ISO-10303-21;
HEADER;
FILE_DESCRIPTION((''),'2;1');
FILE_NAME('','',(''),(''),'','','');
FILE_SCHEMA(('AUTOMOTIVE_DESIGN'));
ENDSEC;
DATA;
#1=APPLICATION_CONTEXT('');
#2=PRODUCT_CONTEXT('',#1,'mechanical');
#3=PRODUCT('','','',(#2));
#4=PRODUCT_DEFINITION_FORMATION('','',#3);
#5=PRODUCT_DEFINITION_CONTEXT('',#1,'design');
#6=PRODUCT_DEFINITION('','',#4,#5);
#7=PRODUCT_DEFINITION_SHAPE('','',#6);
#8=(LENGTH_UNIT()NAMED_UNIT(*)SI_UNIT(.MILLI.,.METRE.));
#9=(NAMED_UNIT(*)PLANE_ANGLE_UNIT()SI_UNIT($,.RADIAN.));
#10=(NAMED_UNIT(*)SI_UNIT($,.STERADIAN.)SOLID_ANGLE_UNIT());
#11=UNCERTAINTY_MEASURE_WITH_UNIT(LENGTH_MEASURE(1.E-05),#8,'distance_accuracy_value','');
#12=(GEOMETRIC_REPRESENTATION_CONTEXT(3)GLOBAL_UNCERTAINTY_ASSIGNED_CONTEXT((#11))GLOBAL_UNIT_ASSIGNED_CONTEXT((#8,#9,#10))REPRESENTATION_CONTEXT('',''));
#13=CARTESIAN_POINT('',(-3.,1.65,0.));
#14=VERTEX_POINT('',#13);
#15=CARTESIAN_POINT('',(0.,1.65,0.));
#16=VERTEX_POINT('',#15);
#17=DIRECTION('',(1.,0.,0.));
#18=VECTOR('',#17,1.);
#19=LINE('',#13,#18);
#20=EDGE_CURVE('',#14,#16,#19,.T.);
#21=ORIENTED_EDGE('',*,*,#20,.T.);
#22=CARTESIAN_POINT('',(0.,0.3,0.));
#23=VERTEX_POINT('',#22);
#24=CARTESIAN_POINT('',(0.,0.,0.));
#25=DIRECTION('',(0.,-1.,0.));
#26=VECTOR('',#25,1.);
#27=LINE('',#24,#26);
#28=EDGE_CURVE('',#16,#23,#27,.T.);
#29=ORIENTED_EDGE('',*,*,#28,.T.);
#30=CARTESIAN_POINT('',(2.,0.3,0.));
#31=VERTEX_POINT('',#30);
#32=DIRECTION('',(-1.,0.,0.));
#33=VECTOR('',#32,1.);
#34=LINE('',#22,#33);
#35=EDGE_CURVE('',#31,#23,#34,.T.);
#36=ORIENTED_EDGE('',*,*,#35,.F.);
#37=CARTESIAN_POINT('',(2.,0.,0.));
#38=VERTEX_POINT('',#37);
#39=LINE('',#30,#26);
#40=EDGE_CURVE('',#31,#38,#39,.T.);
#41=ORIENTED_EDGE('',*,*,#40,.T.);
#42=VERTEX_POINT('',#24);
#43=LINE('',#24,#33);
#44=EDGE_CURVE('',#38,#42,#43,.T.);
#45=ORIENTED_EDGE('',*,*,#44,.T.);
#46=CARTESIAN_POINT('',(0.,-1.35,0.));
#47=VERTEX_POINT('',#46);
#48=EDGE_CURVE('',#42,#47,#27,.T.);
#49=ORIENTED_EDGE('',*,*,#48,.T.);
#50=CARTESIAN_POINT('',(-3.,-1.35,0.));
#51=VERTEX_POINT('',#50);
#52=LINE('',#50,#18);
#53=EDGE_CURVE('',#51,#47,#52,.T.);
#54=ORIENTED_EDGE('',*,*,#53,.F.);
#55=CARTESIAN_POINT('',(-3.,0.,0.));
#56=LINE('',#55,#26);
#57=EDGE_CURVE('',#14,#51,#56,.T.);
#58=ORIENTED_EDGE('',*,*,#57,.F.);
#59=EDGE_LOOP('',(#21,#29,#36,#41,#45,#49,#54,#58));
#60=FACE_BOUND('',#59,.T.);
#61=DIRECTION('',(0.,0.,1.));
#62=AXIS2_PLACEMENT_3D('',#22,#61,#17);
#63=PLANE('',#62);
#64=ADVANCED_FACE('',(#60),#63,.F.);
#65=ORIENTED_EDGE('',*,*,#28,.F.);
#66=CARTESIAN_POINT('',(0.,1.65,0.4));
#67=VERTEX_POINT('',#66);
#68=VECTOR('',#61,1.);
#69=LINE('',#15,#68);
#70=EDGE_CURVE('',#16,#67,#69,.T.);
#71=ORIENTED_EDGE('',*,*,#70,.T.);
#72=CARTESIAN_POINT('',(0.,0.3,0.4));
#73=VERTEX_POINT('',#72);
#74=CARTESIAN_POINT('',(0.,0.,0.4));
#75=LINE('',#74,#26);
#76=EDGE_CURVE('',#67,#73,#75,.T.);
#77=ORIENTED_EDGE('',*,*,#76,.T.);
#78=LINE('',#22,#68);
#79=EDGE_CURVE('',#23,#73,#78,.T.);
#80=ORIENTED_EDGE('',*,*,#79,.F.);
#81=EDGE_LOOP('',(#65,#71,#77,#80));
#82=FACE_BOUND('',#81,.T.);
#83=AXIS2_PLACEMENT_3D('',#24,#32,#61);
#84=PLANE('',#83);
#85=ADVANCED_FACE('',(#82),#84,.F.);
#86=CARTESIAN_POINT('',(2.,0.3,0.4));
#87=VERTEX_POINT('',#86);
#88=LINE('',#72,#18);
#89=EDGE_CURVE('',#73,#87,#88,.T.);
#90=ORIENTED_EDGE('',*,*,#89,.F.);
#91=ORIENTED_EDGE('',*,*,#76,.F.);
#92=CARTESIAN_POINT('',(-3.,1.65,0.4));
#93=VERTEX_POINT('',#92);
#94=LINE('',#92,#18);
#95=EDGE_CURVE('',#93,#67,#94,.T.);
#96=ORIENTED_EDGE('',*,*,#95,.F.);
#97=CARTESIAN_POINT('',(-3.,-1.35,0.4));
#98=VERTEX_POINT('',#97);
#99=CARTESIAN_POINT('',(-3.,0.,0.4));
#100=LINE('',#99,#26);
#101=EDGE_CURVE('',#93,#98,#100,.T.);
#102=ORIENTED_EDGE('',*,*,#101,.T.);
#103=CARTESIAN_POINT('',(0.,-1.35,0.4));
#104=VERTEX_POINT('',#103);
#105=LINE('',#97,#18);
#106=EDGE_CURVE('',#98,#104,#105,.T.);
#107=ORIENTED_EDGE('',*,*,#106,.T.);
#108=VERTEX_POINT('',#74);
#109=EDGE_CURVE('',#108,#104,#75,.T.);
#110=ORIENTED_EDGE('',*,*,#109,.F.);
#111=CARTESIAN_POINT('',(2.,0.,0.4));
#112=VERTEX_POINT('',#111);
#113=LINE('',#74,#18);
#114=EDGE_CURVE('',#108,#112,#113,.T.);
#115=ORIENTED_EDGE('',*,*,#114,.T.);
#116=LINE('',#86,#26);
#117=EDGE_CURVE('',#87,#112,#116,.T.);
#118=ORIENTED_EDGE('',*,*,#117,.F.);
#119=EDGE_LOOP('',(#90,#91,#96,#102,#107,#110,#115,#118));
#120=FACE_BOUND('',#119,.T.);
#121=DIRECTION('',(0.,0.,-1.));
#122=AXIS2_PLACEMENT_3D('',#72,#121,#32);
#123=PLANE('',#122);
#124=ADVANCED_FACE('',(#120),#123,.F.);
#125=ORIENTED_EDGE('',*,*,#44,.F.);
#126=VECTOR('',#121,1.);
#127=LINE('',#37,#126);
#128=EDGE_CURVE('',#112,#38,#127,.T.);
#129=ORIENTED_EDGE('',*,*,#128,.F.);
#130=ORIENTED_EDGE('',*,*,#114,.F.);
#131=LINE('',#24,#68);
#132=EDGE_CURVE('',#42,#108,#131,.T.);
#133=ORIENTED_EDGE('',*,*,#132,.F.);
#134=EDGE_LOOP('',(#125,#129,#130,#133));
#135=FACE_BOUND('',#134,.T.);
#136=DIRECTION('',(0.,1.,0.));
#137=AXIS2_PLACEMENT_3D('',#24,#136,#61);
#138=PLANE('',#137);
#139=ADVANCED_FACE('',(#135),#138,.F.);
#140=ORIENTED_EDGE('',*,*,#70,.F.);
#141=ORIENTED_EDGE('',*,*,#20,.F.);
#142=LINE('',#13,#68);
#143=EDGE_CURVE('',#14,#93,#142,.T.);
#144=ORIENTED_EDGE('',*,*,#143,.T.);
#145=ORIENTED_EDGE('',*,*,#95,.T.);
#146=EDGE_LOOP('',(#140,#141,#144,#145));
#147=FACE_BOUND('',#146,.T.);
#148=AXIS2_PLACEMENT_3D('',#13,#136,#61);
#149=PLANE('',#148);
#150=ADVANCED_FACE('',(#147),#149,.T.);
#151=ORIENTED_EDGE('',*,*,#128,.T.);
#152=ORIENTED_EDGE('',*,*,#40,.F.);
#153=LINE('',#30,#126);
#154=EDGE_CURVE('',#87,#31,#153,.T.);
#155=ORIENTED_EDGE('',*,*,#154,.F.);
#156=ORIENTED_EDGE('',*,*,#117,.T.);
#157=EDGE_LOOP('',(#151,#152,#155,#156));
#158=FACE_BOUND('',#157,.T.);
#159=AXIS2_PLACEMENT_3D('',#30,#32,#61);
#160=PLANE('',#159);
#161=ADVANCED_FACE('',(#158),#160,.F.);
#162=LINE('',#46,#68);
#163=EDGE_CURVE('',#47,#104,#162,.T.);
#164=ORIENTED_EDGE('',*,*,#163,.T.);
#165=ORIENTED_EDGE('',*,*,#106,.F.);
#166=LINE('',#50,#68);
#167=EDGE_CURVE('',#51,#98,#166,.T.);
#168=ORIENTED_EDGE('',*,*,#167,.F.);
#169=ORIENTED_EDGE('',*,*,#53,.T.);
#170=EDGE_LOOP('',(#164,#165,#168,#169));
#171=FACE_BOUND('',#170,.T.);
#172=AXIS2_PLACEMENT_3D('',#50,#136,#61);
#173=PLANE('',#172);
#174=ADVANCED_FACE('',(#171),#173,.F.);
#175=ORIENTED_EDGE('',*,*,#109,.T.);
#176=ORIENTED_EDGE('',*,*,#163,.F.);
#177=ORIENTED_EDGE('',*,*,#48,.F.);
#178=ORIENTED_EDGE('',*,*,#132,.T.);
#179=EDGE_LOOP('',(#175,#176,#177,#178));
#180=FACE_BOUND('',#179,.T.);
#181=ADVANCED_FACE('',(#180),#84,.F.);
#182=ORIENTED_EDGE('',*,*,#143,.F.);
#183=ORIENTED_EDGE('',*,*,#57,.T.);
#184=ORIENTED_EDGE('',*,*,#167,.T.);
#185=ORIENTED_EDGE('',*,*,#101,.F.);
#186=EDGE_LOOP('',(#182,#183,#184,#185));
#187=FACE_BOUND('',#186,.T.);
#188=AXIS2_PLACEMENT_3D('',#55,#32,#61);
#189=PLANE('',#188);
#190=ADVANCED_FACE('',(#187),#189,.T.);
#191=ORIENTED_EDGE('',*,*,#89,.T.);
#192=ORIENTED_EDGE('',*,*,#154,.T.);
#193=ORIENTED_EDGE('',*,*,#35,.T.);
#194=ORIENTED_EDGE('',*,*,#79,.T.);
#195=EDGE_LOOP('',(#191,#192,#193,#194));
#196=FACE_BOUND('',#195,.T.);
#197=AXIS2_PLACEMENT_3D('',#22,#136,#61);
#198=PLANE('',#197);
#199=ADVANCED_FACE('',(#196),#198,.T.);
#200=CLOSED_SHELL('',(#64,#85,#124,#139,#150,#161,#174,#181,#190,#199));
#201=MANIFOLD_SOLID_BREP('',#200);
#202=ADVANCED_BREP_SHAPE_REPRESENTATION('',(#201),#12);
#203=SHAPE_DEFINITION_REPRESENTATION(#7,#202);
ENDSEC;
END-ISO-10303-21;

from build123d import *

# Parameters (mm, degrees)
SKETCH1_W           = 2
SKETCH1_H           = 0.4
BOSS_EXTRUDE1_DEPTH = 0.3
SKETCH3_W           = 0.2
SKETCH3_H           = 1.35
SKETCH3_W_2         = 0.4
SKETCH3_H_2         = 0.3
BOSS_EXTRUDE4_DEPTH = 3


with BuildPart() as part:
    # Sketch1 → Boss-Extrude1 (new body)
    with BuildSketch(Plane(origin=(0, 0, 0), x_dir=(1, 0, 0), z_dir=(0, 1, 0))):
        with Locations((1, -0.2)):
            Rectangle(SKETCH1_W, SKETCH1_H)
    extrude(amount=BOSS_EXTRUDE1_DEPTH)

    # Sketch3 → Boss-Extrude4 (add)
    with BuildSketch(Plane.ZY):
        with Locations((0.3, -0.675)):
            Rectangle(SKETCH3_W, SKETCH3_H)
        with Locations((0.1, -0.675)):
            Rectangle(SKETCH3_W, SKETCH3_H)
        with Locations((0.2, 0.15)):
            Rectangle(SKETCH3_W_2, SKETCH3_H_2)
        with Locations((0.1, 0.975)):
            Rectangle(SKETCH3_W, SKETCH3_H)
        with Locations((0.3, 0.975)):
            Rectangle(SKETCH3_W, SKETCH3_H)
    extrude(amount=BOSS_EXTRUDE4_DEPTH)


solid = part.part
